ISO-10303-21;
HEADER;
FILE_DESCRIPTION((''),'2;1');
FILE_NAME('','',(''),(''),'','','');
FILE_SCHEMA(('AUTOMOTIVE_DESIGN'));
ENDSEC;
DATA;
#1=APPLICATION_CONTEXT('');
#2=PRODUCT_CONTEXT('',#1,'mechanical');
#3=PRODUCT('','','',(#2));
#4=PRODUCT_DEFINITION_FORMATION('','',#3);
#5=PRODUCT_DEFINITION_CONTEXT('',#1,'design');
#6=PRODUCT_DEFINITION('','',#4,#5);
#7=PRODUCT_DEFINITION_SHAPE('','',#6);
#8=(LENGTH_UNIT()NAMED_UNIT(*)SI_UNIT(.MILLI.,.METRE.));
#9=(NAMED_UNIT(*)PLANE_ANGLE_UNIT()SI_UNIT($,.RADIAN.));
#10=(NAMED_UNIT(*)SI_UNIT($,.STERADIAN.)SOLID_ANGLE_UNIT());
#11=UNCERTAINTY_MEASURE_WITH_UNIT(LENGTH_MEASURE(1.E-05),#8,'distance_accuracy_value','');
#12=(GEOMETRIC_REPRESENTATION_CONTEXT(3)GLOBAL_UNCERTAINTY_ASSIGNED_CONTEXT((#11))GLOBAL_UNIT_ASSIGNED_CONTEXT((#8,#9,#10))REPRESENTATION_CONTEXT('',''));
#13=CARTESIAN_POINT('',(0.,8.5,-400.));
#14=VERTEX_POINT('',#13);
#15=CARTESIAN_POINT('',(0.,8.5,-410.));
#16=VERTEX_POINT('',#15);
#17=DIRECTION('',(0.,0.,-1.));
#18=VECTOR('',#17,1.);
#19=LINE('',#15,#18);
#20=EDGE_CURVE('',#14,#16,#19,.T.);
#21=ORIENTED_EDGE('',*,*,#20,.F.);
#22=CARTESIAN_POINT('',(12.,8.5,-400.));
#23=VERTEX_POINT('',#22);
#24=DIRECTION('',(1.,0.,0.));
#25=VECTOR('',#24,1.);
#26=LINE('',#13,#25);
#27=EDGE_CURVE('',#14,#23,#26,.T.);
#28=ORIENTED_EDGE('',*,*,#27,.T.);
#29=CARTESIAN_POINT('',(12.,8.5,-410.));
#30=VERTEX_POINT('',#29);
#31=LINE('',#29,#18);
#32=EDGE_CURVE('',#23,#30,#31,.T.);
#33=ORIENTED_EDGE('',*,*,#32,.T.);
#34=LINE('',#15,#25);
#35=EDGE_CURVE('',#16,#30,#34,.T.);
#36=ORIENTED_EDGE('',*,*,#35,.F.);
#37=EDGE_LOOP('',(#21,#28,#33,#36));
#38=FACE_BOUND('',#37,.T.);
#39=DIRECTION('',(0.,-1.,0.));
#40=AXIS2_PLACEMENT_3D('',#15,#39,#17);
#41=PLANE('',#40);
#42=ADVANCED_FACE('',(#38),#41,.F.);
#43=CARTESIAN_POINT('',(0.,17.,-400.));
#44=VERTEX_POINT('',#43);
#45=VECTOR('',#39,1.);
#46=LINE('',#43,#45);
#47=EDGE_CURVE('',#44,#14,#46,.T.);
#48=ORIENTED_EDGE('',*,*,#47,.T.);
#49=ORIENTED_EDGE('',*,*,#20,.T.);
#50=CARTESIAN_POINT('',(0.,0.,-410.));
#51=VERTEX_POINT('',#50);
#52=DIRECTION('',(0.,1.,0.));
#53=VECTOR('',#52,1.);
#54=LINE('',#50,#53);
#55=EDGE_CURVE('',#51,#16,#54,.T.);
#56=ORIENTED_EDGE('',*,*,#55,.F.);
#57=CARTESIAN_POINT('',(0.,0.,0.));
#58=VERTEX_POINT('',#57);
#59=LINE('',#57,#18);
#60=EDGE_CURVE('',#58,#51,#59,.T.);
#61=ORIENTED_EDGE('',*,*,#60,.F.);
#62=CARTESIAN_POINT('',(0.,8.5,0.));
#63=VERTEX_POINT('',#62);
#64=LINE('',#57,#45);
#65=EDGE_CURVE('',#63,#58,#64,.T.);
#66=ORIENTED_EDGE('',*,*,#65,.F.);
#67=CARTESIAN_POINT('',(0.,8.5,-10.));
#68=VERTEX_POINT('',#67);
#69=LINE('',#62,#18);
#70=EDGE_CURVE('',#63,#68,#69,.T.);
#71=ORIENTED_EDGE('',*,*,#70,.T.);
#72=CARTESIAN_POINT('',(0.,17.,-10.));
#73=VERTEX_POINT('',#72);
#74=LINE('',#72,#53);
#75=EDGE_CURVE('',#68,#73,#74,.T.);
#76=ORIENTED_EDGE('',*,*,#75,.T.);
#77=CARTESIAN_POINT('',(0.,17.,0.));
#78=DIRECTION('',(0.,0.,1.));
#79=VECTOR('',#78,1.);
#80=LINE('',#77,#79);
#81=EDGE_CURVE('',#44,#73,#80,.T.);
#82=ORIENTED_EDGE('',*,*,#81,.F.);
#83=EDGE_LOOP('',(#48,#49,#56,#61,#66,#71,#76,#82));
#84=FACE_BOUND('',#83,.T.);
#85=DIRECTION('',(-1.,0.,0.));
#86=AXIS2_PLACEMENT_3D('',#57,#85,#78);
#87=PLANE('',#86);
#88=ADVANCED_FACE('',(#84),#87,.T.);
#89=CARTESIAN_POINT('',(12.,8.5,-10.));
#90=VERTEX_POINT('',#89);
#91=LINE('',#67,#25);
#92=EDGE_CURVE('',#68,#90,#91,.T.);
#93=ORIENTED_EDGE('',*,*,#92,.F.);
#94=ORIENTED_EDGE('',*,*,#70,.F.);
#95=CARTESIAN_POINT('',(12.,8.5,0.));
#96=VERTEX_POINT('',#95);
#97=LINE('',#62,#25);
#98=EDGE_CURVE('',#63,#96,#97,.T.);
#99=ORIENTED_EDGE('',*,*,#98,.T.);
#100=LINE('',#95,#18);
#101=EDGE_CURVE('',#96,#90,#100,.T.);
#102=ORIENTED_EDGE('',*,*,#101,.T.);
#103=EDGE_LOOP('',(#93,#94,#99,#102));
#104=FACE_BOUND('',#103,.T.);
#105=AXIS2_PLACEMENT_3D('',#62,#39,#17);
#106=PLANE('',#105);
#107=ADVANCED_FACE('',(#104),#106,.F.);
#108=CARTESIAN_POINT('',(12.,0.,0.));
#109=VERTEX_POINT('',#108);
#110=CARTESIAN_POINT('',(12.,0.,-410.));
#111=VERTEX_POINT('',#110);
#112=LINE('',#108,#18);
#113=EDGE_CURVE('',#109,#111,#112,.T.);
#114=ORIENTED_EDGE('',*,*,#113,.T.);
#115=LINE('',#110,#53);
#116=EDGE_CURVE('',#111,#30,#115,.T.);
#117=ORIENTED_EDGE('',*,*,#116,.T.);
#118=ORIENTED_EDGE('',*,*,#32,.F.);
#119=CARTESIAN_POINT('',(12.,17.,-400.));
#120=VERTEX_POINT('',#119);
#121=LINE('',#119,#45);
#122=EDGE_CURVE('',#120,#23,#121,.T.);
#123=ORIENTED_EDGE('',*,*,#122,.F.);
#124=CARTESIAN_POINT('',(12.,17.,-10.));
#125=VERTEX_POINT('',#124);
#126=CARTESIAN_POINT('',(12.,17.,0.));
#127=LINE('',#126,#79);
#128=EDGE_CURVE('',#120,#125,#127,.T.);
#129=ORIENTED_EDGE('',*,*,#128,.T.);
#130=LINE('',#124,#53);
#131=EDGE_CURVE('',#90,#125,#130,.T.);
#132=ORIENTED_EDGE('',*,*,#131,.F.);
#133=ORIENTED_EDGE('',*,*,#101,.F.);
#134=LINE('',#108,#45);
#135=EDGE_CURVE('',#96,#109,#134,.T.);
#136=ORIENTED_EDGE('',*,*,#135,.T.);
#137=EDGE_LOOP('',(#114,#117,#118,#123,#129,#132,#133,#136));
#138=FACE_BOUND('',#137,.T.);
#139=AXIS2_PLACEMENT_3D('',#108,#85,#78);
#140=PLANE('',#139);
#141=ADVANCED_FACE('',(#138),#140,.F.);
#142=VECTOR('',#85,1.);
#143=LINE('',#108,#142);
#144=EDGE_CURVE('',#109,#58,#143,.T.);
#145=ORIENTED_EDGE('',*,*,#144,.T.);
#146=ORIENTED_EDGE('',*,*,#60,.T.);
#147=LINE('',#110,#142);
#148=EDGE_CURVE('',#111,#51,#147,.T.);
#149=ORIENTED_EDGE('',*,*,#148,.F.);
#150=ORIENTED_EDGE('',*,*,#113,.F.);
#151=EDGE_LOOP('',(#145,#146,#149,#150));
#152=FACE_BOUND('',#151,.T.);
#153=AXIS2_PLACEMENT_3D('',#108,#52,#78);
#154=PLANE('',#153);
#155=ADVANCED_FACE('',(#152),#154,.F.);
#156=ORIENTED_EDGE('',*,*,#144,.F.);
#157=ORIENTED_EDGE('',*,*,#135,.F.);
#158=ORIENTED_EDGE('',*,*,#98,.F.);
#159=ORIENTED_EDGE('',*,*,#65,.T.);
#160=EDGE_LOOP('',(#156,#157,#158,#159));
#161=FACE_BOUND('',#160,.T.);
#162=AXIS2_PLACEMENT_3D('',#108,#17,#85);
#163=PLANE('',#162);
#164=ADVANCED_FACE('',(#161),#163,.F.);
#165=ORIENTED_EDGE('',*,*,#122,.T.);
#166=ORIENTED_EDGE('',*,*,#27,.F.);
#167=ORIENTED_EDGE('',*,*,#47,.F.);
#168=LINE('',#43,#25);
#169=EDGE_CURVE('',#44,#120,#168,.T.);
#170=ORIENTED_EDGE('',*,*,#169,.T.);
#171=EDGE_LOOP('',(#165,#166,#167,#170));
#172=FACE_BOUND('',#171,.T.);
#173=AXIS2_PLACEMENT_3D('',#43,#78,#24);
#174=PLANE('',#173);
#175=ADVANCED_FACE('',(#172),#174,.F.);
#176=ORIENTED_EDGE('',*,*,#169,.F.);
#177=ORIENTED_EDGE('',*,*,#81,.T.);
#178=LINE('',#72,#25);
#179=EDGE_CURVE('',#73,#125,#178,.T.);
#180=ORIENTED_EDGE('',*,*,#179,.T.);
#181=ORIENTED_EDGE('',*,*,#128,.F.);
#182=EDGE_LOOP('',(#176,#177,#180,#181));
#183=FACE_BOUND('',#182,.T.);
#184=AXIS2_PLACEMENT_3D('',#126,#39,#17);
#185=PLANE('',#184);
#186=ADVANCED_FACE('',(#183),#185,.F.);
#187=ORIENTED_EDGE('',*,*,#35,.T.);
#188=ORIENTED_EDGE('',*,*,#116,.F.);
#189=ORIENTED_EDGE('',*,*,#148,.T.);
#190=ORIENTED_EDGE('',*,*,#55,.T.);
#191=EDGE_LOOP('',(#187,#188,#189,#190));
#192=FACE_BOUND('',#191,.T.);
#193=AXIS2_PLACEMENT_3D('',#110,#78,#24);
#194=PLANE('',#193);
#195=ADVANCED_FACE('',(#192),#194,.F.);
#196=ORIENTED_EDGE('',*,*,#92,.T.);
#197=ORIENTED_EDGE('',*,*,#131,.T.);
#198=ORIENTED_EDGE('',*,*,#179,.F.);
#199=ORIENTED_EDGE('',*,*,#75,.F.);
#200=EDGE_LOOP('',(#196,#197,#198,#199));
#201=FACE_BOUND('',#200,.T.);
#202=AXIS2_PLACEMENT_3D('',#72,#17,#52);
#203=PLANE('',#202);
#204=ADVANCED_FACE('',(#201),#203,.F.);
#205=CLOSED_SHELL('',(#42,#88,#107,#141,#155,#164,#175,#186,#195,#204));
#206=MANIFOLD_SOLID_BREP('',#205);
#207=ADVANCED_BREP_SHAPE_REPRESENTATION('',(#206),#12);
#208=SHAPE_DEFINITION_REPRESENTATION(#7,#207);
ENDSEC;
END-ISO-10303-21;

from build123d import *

# Parameters (mm, degrees)
SKETCH1_W           = 410
SKETCH1_H           = 17
BOSS_EXTRUDE1_DEPTH = 12
SKETCH2_W           = 10
SKETCH2_H           = 8.5
CUT_EXTRUDE1_DEPTH  = 12


with BuildPart() as part:
    # Sketch1 → Boss-Extrude1 (new body)
    with BuildSketch(Plane(origin=(0, 0, 0), x_dir=(0, 0, -1), z_dir=(1, 0, 0))):
        with Locations((205, 8.5)):
            Rectangle(SKETCH1_W, SKETCH1_H)
    extrude(amount=BOSS_EXTRUDE1_DEPTH)

    # Sketch2 → Cut-Extrude1 (cut)
    with BuildSketch(Plane(origin=(12, 0, 0), x_dir=(0, 0, -1), z_dir=(1, 0, 0))):
        with Locations((5, 12.75)):
            Rectangle(SKETCH2_W, SKETCH2_H)
        with Locations((405, 12.75)):
            Rectangle(SKETCH2_W, SKETCH2_H)
    extrude(amount=-CUT_EXTRUDE1_DEPTH, mode=Mode.SUBTRACT)


solid = part.part
